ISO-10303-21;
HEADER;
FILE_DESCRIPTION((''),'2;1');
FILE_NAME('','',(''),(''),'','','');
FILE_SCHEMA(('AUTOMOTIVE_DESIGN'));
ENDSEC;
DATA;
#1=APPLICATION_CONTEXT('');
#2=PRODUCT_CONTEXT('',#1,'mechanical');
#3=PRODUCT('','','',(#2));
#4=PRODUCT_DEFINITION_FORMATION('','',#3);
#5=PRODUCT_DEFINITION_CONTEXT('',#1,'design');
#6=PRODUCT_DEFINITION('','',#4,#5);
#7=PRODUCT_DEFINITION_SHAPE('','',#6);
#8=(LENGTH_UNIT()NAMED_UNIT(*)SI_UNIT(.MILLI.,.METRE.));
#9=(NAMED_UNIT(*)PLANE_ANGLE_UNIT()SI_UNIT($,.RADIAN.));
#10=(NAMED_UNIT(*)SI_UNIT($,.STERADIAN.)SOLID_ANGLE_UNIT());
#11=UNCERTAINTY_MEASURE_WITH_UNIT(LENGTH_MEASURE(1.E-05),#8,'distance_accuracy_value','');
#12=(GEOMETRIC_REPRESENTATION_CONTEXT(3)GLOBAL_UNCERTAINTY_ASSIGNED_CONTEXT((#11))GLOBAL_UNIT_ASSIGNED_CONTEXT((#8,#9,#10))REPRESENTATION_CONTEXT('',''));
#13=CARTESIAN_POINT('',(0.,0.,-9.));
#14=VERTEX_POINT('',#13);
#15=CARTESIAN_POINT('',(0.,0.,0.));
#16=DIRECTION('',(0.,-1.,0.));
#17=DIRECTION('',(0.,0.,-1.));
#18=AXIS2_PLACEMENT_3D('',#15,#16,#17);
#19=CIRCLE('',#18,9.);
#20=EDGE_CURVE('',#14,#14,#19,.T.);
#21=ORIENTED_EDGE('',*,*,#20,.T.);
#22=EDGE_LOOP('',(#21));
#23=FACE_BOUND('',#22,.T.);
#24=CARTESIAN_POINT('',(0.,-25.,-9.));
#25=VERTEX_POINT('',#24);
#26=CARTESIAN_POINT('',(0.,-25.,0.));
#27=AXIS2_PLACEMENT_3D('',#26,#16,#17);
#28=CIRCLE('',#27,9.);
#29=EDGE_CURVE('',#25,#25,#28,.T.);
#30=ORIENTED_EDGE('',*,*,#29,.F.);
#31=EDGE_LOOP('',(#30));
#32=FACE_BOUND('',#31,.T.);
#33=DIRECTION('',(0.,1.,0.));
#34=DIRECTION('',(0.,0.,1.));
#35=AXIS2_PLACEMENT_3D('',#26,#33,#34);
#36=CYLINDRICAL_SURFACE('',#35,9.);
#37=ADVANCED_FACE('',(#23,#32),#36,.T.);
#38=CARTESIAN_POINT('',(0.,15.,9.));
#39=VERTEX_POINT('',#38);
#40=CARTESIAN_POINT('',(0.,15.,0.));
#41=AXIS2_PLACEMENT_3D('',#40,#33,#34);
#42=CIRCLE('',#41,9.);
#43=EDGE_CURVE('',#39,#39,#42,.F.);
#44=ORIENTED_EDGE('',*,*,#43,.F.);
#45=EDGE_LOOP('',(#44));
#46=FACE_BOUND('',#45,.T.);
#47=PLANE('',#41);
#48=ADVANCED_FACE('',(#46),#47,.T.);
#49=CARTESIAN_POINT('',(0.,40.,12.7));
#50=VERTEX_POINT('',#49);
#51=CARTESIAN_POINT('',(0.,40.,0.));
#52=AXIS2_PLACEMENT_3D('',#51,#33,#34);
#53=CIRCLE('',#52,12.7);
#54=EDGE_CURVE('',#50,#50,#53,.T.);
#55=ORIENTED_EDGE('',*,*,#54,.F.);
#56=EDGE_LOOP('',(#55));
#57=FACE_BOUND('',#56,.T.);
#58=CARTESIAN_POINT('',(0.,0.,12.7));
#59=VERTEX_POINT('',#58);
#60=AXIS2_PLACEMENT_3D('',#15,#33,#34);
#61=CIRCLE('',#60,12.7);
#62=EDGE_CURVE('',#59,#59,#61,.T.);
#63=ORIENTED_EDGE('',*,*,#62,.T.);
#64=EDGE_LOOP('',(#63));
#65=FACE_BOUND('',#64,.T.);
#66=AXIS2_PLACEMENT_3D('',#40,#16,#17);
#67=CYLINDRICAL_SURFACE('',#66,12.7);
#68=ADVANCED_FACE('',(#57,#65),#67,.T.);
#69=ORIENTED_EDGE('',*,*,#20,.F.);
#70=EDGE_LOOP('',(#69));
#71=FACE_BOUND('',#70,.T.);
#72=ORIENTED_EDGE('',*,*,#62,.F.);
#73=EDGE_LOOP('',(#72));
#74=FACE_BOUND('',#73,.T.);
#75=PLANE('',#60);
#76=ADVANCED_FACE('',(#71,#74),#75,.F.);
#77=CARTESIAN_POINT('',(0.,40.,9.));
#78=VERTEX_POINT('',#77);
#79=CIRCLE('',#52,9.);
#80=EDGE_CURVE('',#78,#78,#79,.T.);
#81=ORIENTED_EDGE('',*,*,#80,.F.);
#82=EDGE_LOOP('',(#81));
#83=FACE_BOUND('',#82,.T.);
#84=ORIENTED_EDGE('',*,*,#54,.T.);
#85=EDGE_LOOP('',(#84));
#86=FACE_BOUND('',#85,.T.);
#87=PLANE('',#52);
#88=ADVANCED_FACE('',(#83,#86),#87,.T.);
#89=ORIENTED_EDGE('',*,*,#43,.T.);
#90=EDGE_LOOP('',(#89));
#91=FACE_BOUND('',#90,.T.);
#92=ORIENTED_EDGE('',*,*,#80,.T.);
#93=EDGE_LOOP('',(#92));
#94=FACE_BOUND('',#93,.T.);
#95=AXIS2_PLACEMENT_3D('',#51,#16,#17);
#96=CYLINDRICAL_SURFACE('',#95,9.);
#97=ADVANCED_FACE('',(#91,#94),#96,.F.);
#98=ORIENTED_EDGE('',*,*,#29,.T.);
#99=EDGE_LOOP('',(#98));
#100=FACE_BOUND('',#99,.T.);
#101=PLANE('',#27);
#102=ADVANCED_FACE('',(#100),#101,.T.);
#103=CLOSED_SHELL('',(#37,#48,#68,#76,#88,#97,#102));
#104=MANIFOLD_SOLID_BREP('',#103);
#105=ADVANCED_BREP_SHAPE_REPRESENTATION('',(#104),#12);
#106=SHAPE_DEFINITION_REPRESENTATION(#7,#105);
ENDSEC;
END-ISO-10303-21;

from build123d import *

# Parameters (mm, degrees)
SKETCH1_R           = 12.7
BOSS_EXTRUDE1_DEPTH = 15
SKETCH2_R           = 9
BOSS_EXTRUDE2_DEPTH = 25
SKETCH3_R           = 12.7
SKETCH3_R_2         = 9
BOSS_EXTRUDE3_DEPTH = 25


with BuildPart() as part:
    # Sketch1 → Boss-Extrude1 (new body)
    with BuildSketch(Plane(origin=(0, 0, 0), x_dir=(1, 0, 0), z_dir=(0, 1, 0))):
        with Locations(Location((0, 0, 0), (0, 0, 270))):
            Circle(SKETCH1_R)
    extrude(amount=BOSS_EXTRUDE1_DEPTH)

    # Sketch2 → Boss-Extrude2 (add)
    with BuildSketch(Plane.XZ):
        with Locations(Location((0, 0, 0), (0, 0, 270))):
            Circle(SKETCH2_R)
    extrude(amount=BOSS_EXTRUDE2_DEPTH)

    # Sketch3 → Boss-Extrude3 (add)
    with BuildSketch(Plane(origin=(0, 15, 0), x_dir=(1, 0, 0), z_dir=(0, 1, 0))):
        with Locations(Location((0, 0, 0), (0, 0, 270))):
            Circle(SKETCH3_R)
        with Locations(Location((0, 0, 0), (0, 0, 90))):
            Circle(SKETCH3_R_2, mode=Mode.SUBTRACT)
    extrude(amount=BOSS_EXTRUDE3_DEPTH)


solid = part.part
